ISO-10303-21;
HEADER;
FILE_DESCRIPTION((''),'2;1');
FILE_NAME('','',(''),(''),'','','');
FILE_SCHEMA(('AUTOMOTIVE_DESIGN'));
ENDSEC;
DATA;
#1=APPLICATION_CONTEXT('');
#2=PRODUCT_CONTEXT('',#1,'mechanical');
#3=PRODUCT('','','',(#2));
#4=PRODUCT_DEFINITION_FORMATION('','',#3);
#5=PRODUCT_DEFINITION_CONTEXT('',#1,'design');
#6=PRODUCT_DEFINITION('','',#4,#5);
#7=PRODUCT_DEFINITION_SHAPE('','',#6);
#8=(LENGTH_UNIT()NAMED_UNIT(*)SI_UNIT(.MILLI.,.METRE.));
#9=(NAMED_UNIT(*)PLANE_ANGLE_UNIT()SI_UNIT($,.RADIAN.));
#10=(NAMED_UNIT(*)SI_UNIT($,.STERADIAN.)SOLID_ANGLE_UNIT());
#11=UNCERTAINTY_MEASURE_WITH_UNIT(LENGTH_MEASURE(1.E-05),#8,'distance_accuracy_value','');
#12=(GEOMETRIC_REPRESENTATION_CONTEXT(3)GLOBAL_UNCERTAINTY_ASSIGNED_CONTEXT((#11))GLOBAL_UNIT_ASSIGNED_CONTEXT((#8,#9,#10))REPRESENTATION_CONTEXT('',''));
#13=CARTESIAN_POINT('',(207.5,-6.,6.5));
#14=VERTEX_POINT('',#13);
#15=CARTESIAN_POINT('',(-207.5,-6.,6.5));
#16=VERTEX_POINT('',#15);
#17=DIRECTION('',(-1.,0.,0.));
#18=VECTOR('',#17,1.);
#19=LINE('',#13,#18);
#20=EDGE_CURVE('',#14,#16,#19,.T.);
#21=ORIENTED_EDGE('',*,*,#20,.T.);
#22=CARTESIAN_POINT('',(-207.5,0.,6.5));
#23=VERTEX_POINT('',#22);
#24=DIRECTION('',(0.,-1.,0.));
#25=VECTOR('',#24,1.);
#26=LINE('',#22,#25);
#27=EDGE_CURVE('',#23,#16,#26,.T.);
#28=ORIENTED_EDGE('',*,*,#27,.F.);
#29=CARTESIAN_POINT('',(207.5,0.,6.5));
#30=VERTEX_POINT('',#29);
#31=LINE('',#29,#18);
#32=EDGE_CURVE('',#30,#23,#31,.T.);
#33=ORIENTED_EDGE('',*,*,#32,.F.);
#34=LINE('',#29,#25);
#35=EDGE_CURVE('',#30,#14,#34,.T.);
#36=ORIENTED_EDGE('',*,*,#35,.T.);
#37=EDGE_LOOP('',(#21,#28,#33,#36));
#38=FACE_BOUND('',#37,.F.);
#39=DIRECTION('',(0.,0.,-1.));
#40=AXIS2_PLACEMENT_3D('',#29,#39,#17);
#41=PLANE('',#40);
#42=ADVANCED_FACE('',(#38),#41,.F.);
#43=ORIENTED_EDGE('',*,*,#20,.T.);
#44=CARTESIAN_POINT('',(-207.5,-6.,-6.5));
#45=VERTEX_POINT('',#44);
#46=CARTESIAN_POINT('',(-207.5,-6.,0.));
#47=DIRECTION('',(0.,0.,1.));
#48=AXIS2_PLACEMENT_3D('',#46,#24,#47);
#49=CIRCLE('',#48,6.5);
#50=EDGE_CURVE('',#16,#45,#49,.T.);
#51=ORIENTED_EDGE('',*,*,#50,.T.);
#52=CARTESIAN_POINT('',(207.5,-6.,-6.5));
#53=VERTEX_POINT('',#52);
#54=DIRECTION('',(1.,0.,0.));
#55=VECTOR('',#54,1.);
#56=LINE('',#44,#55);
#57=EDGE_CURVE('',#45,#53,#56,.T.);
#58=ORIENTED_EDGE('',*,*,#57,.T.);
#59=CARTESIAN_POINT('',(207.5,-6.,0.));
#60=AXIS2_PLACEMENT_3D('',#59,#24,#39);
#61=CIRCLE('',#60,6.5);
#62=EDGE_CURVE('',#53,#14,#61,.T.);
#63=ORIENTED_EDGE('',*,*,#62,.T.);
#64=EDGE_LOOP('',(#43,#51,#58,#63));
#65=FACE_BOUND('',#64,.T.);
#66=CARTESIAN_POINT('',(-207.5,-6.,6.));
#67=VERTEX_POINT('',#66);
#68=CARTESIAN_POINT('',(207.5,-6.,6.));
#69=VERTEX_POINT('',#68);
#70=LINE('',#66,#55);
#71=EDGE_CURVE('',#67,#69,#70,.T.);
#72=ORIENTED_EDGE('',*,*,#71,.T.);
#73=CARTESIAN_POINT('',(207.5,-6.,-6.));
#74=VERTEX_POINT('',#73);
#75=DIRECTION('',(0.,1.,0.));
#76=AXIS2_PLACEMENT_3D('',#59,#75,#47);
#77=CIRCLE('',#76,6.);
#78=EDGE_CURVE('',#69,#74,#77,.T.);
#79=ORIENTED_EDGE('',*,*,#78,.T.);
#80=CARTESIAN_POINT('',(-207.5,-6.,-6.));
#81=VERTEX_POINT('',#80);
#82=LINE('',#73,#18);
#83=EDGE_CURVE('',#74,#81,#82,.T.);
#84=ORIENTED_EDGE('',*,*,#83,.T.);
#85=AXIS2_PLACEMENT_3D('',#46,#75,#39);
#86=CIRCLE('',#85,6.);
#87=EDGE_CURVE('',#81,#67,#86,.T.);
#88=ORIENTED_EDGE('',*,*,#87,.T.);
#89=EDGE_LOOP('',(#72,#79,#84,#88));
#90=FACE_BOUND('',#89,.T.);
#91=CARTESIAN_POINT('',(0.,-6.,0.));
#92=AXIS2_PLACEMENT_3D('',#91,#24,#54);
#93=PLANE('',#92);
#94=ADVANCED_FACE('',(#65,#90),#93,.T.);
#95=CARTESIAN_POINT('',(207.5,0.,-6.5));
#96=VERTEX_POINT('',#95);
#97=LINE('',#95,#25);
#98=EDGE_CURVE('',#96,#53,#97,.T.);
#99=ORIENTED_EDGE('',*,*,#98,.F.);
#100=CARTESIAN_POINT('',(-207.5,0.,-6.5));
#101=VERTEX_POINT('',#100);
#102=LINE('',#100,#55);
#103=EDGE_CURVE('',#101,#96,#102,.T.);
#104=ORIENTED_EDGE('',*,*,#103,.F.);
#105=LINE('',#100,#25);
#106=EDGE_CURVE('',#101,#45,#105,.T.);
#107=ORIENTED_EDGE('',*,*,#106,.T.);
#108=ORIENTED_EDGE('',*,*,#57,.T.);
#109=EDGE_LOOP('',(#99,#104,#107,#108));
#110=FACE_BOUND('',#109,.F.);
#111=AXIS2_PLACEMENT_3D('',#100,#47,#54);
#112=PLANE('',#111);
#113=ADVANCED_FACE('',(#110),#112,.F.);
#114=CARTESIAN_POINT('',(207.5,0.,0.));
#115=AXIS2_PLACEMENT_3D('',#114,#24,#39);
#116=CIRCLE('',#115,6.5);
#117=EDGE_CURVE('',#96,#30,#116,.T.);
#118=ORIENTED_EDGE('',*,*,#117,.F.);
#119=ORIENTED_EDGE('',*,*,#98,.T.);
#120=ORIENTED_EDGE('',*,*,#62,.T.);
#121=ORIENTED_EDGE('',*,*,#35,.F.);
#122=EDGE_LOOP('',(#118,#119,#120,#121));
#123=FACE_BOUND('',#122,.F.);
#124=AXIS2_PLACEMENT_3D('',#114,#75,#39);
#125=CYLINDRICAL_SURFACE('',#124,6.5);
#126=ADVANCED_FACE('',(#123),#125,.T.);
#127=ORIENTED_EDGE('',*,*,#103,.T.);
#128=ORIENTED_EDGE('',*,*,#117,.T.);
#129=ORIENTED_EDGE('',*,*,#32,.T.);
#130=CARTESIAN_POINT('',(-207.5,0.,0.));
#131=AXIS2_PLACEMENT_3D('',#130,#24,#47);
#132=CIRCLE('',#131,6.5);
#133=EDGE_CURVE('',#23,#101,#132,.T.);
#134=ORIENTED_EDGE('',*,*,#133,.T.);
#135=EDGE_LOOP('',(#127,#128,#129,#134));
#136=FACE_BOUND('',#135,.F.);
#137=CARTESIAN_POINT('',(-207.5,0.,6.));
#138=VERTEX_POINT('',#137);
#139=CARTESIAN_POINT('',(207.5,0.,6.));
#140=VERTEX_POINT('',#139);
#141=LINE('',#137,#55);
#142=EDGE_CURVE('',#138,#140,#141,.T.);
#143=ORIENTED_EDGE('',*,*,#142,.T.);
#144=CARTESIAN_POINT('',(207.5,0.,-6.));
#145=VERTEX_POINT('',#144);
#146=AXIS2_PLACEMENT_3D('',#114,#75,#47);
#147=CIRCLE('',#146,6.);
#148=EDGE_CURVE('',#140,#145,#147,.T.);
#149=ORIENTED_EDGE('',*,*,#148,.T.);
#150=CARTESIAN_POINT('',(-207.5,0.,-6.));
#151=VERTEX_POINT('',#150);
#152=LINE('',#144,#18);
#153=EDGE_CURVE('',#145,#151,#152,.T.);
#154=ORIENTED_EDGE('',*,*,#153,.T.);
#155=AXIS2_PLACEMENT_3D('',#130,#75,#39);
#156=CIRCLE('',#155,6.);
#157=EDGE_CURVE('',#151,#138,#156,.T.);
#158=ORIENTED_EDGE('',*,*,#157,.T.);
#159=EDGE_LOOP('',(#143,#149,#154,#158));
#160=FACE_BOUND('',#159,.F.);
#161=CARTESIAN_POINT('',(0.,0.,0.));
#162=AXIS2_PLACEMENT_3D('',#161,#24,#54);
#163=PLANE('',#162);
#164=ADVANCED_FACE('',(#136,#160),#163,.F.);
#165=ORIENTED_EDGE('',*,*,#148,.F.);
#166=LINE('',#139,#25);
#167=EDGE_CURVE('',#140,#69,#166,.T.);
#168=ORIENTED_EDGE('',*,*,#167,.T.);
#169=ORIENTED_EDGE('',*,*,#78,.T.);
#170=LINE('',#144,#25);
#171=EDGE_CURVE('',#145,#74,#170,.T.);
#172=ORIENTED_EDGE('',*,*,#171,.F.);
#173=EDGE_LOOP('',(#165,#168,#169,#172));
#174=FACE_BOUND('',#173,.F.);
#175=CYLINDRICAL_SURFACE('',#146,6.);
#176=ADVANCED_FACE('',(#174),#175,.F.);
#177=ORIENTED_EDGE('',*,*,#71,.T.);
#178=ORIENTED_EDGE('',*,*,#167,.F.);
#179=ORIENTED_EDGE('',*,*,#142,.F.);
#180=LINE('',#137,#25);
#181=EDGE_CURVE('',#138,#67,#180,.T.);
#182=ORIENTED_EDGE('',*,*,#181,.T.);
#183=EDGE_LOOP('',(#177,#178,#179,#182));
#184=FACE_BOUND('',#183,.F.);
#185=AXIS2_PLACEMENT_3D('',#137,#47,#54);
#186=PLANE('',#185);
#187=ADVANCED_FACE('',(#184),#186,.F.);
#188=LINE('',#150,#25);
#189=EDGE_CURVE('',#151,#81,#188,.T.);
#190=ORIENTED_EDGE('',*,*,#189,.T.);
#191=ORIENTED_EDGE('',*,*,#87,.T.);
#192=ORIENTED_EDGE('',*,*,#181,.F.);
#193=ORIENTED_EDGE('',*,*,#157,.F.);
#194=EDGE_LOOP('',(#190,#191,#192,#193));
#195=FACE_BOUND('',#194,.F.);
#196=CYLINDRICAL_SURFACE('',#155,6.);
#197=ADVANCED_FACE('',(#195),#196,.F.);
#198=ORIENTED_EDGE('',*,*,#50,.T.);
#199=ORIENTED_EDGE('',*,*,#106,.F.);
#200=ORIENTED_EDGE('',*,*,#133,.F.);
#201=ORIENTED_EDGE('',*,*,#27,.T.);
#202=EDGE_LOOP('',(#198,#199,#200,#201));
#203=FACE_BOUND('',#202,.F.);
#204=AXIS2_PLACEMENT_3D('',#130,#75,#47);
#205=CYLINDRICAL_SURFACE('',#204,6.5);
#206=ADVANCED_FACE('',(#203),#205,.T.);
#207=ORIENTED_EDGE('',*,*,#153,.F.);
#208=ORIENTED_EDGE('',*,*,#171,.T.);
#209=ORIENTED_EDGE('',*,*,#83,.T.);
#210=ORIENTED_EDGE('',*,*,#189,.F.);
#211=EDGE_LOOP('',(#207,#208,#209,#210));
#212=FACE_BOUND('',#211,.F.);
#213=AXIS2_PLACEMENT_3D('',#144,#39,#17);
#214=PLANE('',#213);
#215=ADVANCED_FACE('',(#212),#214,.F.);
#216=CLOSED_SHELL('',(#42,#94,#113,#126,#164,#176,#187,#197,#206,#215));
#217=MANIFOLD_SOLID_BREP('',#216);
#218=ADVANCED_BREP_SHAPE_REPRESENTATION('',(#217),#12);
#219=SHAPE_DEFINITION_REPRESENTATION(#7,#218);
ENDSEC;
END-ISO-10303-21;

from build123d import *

# Parameters (mm, degrees)
F1_DEPTH = 6


with BuildPart() as f1:
    # F0 (on Front) → F1 (new body)
    with BuildSketch(Plane.XZ):
        with BuildLine():
            Line((0, 6.5), (-207.5, 6.5))
            ThreePointArc((-207.5, 6.5), (-214, 0), (-207.5, -6.5))
            Line((-207.5, -6.5), (0, -6.5))
            Line((0, -6.5), (207.5, -6.5))
            ThreePointArc((207.5, -6.5), (214, 0), (207.5, 6.5))
            Line((207.5, 6.5), (0, 6.5))
        make_face()
        with BuildLine():
            ThreePointArc((-207.5, -6), (-213.5, 0), (-207.5, 6))
            Line((-207.5, 6), (0, 6))
            Line((0, 6), (207.5, 6))
            ThreePointArc((207.5, 6), (213.5, 0), (207.5, -6))
            Line((207.5, -6), (0, -6))
            Line((0, -6), (-207.5, -6))
        make_face(mode=Mode.SUBTRACT)
    extrude(amount=F1_DEPTH)


solid = f1.part
